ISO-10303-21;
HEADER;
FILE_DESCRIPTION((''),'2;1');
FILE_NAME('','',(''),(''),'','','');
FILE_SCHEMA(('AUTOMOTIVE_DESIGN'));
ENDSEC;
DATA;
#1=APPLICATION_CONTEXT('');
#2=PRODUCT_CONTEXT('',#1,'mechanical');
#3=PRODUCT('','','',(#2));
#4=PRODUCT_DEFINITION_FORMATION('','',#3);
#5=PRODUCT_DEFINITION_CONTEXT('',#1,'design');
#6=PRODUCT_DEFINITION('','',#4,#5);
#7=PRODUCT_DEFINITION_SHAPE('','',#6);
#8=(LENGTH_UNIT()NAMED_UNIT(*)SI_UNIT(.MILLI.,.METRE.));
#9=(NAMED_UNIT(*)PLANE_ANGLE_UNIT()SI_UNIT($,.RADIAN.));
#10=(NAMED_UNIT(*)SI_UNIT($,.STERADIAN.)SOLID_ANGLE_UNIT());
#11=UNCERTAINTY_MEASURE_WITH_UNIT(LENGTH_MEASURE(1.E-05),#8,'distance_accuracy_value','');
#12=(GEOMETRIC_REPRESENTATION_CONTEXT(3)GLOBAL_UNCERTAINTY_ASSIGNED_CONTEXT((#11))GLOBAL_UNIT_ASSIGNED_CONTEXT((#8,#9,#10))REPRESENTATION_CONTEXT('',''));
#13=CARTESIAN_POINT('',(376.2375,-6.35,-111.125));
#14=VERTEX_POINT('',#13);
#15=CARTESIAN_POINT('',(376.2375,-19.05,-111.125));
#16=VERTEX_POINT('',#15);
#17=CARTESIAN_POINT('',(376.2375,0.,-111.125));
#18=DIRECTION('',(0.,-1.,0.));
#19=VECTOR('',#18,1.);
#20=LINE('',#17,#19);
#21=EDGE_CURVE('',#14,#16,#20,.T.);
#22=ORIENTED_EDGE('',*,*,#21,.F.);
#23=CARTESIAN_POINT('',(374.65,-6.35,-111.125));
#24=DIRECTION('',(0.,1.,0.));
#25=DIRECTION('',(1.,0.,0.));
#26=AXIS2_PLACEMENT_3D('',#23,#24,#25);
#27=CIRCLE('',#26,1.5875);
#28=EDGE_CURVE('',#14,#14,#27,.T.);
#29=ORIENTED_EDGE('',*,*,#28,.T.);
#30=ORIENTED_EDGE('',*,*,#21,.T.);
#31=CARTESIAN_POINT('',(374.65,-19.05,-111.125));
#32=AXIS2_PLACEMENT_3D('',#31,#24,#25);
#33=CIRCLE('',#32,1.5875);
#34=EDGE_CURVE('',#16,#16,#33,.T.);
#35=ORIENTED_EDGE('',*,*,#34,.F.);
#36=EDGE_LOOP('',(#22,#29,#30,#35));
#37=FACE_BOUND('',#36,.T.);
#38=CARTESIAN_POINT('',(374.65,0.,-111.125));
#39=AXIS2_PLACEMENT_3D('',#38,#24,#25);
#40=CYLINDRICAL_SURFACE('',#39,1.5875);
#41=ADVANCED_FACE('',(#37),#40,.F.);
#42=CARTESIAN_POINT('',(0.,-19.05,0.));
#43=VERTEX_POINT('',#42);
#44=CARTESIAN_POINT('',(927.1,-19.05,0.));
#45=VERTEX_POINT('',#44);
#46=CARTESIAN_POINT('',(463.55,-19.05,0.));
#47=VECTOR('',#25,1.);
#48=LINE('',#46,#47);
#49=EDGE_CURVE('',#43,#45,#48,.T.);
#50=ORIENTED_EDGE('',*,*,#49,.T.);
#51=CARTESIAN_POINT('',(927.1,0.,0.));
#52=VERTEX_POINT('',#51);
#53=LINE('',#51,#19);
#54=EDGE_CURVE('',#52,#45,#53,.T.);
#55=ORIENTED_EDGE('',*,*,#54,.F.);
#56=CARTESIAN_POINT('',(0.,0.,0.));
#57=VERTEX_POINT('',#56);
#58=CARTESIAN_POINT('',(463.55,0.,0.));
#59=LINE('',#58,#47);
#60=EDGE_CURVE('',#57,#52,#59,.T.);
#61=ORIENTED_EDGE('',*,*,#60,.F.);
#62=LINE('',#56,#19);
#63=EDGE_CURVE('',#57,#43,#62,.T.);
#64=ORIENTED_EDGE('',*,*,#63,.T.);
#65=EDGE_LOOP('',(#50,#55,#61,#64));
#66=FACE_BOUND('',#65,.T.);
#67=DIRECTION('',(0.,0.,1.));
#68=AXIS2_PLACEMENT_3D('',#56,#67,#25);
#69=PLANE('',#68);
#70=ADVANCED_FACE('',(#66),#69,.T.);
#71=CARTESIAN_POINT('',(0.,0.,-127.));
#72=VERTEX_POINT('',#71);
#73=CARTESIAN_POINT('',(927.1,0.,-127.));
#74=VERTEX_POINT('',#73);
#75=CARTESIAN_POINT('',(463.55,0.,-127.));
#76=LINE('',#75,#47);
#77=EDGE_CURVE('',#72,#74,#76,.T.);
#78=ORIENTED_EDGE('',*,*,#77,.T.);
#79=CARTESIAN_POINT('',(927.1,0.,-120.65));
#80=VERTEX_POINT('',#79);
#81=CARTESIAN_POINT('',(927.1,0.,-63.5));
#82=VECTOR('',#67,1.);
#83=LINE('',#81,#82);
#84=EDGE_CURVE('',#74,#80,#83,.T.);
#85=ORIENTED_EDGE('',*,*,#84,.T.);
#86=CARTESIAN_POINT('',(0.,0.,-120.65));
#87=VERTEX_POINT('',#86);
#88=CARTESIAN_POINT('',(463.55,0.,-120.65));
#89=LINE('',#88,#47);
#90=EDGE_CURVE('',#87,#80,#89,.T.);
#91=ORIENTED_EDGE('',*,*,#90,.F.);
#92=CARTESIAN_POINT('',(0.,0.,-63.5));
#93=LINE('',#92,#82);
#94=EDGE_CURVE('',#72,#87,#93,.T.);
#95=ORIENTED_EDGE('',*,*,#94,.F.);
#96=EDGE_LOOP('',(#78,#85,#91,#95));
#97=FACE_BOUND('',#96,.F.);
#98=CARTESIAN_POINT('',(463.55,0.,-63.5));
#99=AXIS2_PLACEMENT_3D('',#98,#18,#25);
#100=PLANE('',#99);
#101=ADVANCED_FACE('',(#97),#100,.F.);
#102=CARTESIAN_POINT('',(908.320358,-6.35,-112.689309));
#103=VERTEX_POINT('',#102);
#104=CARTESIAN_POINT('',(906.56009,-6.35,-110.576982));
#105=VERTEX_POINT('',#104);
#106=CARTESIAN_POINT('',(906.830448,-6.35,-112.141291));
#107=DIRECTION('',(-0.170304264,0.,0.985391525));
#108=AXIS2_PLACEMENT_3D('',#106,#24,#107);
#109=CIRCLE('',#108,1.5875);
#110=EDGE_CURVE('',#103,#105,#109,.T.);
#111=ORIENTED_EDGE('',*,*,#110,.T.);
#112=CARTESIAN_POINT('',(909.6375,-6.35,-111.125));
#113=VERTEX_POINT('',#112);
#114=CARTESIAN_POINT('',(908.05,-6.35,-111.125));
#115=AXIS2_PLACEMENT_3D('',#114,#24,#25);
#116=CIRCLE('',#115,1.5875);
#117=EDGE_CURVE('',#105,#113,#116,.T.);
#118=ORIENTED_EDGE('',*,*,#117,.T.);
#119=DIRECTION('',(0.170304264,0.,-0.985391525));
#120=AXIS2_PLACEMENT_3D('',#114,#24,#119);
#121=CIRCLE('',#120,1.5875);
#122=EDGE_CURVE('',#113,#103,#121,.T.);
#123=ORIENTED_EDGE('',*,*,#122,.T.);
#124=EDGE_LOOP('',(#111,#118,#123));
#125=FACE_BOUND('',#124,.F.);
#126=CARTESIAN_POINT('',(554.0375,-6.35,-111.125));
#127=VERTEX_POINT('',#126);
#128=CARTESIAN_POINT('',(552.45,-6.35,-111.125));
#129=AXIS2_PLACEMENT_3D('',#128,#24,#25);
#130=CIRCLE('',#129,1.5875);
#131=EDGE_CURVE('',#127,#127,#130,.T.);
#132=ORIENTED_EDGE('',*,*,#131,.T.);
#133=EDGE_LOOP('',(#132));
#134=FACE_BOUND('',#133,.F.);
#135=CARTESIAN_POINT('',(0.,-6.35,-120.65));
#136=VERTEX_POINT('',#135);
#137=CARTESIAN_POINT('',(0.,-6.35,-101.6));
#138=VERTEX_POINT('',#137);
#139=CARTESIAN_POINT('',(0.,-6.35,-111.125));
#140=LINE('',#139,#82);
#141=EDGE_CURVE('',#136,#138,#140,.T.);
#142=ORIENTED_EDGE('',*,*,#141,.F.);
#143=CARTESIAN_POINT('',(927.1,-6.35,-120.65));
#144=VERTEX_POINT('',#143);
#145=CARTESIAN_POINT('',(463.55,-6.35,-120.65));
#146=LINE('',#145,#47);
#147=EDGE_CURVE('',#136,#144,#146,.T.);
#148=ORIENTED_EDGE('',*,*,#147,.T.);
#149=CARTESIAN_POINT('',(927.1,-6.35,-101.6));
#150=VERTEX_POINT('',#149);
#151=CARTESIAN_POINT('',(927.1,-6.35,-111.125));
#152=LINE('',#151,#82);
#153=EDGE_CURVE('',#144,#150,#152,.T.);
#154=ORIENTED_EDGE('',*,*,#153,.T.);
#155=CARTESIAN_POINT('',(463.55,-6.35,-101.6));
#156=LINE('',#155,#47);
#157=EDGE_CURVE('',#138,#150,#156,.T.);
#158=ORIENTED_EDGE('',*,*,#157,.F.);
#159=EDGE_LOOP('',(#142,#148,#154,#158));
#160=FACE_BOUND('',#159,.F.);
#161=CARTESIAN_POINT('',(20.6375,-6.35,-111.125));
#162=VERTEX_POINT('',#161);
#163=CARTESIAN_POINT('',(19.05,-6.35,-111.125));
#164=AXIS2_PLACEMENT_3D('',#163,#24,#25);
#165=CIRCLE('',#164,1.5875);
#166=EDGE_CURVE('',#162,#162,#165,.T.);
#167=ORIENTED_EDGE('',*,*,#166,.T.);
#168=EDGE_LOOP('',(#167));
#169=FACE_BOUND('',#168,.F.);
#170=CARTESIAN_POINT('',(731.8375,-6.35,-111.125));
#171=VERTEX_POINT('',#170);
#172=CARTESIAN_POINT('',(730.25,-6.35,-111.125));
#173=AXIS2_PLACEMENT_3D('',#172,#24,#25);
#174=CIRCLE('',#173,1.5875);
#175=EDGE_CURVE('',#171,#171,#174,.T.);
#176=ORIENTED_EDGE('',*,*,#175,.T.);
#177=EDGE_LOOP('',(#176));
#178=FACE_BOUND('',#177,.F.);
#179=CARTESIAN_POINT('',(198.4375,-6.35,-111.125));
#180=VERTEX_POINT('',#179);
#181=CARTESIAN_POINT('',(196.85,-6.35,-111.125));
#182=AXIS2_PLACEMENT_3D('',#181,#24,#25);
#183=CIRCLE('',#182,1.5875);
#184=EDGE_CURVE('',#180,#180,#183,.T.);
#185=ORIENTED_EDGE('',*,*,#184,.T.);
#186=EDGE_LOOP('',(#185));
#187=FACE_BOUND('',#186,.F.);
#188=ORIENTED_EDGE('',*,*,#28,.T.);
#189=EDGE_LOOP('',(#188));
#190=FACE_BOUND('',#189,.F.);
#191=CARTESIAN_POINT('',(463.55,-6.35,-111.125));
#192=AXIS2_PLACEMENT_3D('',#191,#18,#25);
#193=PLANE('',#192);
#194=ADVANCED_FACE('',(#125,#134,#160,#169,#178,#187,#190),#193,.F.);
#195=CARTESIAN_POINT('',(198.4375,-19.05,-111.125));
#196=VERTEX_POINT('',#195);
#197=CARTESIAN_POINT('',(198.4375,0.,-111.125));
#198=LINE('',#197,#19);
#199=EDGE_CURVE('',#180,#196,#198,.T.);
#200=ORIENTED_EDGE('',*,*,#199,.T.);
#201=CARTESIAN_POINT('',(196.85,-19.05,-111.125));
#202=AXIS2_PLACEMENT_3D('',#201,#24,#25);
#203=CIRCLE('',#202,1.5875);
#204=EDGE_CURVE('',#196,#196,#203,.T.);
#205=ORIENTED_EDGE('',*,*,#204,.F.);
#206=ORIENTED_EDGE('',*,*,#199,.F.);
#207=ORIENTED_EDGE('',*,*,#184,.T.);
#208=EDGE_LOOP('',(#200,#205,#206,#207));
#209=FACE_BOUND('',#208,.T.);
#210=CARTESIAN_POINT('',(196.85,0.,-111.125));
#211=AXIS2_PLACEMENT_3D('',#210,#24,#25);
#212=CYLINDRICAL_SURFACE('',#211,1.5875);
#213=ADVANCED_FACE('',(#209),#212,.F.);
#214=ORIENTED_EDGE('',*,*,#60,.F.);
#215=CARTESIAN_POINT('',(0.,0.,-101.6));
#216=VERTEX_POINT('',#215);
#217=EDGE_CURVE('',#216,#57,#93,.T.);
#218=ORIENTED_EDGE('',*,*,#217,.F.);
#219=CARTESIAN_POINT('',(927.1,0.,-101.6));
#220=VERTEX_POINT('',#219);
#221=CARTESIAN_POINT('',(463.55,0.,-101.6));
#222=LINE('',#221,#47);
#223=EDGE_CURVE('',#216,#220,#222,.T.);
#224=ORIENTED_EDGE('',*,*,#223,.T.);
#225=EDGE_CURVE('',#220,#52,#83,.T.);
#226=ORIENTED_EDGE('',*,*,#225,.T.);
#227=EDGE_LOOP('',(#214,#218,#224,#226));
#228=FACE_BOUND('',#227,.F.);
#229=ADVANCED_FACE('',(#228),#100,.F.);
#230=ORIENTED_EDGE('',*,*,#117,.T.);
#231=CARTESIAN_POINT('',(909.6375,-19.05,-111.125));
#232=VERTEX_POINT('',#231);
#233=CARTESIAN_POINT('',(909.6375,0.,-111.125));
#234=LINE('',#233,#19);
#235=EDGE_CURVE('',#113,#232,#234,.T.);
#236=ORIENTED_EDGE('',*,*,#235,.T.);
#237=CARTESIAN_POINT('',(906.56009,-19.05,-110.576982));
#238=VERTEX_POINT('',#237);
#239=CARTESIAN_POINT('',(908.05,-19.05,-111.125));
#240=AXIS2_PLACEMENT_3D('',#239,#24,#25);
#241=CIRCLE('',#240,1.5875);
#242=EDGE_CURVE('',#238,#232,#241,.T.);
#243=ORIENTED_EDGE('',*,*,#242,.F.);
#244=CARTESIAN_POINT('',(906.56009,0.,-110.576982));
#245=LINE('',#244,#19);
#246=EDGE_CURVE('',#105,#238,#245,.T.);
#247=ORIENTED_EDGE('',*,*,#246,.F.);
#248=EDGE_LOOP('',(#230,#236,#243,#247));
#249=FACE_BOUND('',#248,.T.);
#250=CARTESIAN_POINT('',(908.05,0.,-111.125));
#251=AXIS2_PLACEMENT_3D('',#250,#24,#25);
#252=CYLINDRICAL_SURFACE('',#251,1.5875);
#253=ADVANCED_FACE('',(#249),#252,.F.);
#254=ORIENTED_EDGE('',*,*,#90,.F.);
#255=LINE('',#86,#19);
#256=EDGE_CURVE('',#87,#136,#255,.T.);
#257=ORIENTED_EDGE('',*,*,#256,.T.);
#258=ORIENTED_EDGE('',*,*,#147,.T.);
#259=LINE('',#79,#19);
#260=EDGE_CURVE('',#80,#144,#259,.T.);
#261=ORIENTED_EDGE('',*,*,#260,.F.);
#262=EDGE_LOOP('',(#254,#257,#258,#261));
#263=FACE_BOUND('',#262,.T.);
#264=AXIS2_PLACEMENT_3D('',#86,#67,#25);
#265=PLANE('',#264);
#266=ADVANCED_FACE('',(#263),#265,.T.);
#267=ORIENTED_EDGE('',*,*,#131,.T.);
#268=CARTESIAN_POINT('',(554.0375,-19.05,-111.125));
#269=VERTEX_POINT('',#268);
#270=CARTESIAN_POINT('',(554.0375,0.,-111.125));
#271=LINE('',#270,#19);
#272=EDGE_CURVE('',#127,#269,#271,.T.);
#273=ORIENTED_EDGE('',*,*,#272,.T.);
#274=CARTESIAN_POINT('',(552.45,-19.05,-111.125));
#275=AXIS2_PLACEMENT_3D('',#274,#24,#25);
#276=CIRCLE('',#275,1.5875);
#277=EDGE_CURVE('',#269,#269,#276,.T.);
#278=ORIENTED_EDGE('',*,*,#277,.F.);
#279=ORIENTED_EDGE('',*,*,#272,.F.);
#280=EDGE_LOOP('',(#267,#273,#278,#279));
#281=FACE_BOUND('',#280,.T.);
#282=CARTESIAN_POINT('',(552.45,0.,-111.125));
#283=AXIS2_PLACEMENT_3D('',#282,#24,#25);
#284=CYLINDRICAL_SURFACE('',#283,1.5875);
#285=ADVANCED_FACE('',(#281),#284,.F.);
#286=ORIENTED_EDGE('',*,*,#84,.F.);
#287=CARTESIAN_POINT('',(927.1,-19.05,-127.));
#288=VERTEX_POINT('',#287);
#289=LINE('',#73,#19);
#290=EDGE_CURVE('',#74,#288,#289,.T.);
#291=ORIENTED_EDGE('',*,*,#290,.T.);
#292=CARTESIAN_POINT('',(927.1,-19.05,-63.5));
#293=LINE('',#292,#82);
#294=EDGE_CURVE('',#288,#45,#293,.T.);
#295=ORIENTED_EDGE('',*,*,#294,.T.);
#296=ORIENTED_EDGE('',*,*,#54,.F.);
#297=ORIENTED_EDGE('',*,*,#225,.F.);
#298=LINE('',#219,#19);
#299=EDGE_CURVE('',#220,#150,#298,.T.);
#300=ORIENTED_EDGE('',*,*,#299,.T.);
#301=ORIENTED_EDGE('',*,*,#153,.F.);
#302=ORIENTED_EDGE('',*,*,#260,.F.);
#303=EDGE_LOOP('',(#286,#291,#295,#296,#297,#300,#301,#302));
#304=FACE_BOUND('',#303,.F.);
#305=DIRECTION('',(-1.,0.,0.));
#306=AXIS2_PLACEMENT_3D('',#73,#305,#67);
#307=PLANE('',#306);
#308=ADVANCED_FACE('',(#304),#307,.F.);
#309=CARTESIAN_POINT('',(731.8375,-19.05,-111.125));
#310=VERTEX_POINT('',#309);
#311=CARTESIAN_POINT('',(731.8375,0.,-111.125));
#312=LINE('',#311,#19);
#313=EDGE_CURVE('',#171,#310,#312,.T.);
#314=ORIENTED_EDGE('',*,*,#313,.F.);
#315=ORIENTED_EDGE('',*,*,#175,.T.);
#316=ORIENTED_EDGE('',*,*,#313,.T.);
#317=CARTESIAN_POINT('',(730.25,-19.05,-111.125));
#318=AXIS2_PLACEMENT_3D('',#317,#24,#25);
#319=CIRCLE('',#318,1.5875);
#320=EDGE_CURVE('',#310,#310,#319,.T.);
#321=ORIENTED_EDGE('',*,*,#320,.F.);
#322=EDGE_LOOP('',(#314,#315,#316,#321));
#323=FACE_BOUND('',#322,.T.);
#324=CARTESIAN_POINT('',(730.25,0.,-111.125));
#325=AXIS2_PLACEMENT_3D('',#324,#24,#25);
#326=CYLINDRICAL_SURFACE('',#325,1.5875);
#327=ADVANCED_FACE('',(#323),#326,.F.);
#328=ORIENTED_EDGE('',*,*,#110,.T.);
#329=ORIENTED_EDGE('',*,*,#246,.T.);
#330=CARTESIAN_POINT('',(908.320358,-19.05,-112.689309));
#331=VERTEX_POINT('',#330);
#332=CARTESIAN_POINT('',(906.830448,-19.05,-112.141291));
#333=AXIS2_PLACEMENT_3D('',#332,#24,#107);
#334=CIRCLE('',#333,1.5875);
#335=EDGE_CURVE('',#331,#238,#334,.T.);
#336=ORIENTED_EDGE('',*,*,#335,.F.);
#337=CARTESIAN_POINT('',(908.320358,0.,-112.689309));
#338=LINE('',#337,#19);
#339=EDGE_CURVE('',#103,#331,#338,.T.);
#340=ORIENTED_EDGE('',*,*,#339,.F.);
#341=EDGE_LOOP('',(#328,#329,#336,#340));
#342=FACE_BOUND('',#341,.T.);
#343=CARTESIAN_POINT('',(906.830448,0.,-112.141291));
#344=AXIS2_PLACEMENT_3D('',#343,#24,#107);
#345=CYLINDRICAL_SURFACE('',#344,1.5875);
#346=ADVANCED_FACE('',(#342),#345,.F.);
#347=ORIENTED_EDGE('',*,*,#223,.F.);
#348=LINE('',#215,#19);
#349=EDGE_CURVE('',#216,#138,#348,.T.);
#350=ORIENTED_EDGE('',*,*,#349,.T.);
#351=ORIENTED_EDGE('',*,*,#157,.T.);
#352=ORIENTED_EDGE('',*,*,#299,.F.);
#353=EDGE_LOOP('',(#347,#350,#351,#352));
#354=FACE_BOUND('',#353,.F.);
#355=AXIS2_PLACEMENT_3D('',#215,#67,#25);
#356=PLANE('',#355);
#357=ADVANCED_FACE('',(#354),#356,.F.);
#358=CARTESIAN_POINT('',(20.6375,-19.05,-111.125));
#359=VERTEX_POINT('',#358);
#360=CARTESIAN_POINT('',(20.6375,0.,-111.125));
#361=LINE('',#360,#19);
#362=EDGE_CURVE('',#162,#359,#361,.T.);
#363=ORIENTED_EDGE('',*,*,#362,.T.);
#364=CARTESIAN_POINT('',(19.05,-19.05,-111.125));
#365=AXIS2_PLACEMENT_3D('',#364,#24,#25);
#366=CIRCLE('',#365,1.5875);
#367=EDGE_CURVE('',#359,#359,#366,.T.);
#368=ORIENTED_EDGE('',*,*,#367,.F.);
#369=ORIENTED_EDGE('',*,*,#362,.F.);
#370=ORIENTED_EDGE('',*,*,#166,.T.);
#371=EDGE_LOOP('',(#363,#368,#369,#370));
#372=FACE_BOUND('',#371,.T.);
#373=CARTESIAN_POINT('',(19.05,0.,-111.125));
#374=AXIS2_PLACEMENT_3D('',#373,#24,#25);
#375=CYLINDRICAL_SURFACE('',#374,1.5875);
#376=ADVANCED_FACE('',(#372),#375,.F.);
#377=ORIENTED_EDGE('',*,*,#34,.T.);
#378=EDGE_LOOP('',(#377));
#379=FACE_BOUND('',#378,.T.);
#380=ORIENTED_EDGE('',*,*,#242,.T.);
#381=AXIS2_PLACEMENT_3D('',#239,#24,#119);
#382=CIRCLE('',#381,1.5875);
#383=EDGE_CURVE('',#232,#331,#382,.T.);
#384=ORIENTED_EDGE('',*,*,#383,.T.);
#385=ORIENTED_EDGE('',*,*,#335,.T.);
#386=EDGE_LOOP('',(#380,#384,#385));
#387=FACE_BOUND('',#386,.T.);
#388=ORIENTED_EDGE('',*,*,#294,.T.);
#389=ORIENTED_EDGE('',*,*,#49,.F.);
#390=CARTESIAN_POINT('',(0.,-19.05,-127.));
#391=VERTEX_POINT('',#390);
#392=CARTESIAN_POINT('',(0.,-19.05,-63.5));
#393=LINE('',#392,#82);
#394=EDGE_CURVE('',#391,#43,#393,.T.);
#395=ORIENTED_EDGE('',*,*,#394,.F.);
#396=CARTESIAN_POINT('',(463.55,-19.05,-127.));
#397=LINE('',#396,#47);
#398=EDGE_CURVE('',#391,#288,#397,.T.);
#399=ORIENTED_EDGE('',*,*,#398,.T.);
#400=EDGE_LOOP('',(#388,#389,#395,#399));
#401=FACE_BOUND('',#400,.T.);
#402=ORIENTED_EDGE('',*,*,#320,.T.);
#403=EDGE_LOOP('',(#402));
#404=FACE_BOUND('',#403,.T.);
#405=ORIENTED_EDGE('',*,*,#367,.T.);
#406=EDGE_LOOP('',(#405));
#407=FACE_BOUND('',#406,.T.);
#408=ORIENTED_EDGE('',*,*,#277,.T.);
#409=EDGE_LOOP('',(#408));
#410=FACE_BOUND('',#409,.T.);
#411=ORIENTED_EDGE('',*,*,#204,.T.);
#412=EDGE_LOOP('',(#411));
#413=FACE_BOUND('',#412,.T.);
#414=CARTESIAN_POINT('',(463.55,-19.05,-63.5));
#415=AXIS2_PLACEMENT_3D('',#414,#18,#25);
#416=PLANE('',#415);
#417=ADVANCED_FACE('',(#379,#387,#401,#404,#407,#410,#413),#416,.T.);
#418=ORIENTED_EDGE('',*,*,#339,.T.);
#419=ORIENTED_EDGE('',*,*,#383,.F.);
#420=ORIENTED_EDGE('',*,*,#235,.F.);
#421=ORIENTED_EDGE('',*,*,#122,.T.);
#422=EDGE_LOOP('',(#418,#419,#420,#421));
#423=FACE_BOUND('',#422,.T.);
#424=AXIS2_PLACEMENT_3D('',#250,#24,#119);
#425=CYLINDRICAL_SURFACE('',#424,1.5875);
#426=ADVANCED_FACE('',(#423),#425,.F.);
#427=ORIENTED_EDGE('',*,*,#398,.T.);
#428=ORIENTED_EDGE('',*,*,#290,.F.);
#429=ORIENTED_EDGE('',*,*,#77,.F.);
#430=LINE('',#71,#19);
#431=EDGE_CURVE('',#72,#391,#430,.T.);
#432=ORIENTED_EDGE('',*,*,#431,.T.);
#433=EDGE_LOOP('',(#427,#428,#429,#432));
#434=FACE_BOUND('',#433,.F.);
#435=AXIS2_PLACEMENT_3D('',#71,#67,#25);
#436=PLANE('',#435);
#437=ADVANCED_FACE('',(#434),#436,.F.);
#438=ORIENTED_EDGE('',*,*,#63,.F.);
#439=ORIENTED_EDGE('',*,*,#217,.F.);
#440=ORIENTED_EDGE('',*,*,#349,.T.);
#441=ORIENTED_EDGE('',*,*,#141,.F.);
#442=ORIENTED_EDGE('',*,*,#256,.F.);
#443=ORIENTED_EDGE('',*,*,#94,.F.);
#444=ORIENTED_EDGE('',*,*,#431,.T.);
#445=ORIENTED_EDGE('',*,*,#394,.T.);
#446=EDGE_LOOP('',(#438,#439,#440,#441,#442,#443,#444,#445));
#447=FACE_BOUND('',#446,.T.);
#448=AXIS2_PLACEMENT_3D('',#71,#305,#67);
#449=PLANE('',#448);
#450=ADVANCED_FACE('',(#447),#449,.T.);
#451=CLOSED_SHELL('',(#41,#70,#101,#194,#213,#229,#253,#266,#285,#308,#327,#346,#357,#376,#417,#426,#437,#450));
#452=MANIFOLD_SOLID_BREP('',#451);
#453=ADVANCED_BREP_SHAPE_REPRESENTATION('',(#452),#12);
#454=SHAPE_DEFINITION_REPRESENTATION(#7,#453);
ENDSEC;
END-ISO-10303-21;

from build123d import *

# Parameters (mm, degrees)
F0_W     = 927.1
F0_H     = 127
F1_DEPTH = 19.05
F2_W     = 927.1
F2_H     = 19.05
F3_DEPTH = 6.35
F4_R     = 1.5875
F5_DEPTH = 19.051


with BuildPart() as f1:
    # F0 (on Front) → F1 (new body)
    with BuildSketch(Plane.XZ):
        with Locations((463.55, -63.5)):
            Rectangle(F0_W, F0_H)
    extrude(amount=F1_DEPTH)

    # F2 (on Front) → F3 (cut)
    with BuildSketch(Plane.XZ):
        with Locations((463.55, -111.125)):
            Rectangle(F2_W, F2_H)
    extrude(amount=F3_DEPTH, mode=Mode.SUBTRACT)

    # F4 (on Front) → F5 (cut, through all)
    with BuildSketch(Plane.XZ):
        with BuildLine():
            ThreePointArc((908.3203580187, -112.6893090461), (909.264361891, -112.1474878717), (909.6375, -111.125))
            ThreePointArc((909.6375, -111.125), (908.3283195264, -109.5620878172), (906.5600896174, -110.5769823892))
            ThreePointArc((906.5600896174, -110.5769823892), (907.8529355077, -110.9269295443), (908.417947636, -112.1412914353))
            ThreePointArc((908.417947636, -112.1412914353), (908.3933598189, -112.4196109618), (908.3203580187, -112.6893090461))
        make_face()
        with BuildLine():
            ThreePointArc((908.417947636, -112.1412914353), (907.8529355077, -110.9269295443), (906.5600896174, -110.5769823892))
            ThreePointArc((906.5600896174, -110.5769823892), (906.830447636, -112.1412914353), (908.3203580187, -112.6893090461))
            ThreePointArc((908.3203580187, -112.6893090461), (908.3933598189, -112.4196109618), (908.417947636, -112.1412914353))
        make_face()
        with BuildLine():
            ThreePointArc((908.3203580187, -112.6893090461), (906.830447636, -112.1412914353), (906.5600896174, -110.5769823892))
            ThreePointArc((906.5600896174, -110.5769823892), (905.6108952721, -113.1575828707), (908.3203580187, -112.6893090461))
        make_face()
        with Locations((730.25, -111.125)):
            Circle(F4_R)
        with Locations((552.45, -111.125)):
            Circle(F4_R)
        with Locations((374.65, -111.125)):
            Circle(F4_R)
        with Locations((196.85, -111.125)):
            Circle(F4_R)
        with Locations((19.05, -111.125)):
            Circle(F4_R)
    extrude(amount=F5_DEPTH, mode=Mode.SUBTRACT)


solid = f1.part
